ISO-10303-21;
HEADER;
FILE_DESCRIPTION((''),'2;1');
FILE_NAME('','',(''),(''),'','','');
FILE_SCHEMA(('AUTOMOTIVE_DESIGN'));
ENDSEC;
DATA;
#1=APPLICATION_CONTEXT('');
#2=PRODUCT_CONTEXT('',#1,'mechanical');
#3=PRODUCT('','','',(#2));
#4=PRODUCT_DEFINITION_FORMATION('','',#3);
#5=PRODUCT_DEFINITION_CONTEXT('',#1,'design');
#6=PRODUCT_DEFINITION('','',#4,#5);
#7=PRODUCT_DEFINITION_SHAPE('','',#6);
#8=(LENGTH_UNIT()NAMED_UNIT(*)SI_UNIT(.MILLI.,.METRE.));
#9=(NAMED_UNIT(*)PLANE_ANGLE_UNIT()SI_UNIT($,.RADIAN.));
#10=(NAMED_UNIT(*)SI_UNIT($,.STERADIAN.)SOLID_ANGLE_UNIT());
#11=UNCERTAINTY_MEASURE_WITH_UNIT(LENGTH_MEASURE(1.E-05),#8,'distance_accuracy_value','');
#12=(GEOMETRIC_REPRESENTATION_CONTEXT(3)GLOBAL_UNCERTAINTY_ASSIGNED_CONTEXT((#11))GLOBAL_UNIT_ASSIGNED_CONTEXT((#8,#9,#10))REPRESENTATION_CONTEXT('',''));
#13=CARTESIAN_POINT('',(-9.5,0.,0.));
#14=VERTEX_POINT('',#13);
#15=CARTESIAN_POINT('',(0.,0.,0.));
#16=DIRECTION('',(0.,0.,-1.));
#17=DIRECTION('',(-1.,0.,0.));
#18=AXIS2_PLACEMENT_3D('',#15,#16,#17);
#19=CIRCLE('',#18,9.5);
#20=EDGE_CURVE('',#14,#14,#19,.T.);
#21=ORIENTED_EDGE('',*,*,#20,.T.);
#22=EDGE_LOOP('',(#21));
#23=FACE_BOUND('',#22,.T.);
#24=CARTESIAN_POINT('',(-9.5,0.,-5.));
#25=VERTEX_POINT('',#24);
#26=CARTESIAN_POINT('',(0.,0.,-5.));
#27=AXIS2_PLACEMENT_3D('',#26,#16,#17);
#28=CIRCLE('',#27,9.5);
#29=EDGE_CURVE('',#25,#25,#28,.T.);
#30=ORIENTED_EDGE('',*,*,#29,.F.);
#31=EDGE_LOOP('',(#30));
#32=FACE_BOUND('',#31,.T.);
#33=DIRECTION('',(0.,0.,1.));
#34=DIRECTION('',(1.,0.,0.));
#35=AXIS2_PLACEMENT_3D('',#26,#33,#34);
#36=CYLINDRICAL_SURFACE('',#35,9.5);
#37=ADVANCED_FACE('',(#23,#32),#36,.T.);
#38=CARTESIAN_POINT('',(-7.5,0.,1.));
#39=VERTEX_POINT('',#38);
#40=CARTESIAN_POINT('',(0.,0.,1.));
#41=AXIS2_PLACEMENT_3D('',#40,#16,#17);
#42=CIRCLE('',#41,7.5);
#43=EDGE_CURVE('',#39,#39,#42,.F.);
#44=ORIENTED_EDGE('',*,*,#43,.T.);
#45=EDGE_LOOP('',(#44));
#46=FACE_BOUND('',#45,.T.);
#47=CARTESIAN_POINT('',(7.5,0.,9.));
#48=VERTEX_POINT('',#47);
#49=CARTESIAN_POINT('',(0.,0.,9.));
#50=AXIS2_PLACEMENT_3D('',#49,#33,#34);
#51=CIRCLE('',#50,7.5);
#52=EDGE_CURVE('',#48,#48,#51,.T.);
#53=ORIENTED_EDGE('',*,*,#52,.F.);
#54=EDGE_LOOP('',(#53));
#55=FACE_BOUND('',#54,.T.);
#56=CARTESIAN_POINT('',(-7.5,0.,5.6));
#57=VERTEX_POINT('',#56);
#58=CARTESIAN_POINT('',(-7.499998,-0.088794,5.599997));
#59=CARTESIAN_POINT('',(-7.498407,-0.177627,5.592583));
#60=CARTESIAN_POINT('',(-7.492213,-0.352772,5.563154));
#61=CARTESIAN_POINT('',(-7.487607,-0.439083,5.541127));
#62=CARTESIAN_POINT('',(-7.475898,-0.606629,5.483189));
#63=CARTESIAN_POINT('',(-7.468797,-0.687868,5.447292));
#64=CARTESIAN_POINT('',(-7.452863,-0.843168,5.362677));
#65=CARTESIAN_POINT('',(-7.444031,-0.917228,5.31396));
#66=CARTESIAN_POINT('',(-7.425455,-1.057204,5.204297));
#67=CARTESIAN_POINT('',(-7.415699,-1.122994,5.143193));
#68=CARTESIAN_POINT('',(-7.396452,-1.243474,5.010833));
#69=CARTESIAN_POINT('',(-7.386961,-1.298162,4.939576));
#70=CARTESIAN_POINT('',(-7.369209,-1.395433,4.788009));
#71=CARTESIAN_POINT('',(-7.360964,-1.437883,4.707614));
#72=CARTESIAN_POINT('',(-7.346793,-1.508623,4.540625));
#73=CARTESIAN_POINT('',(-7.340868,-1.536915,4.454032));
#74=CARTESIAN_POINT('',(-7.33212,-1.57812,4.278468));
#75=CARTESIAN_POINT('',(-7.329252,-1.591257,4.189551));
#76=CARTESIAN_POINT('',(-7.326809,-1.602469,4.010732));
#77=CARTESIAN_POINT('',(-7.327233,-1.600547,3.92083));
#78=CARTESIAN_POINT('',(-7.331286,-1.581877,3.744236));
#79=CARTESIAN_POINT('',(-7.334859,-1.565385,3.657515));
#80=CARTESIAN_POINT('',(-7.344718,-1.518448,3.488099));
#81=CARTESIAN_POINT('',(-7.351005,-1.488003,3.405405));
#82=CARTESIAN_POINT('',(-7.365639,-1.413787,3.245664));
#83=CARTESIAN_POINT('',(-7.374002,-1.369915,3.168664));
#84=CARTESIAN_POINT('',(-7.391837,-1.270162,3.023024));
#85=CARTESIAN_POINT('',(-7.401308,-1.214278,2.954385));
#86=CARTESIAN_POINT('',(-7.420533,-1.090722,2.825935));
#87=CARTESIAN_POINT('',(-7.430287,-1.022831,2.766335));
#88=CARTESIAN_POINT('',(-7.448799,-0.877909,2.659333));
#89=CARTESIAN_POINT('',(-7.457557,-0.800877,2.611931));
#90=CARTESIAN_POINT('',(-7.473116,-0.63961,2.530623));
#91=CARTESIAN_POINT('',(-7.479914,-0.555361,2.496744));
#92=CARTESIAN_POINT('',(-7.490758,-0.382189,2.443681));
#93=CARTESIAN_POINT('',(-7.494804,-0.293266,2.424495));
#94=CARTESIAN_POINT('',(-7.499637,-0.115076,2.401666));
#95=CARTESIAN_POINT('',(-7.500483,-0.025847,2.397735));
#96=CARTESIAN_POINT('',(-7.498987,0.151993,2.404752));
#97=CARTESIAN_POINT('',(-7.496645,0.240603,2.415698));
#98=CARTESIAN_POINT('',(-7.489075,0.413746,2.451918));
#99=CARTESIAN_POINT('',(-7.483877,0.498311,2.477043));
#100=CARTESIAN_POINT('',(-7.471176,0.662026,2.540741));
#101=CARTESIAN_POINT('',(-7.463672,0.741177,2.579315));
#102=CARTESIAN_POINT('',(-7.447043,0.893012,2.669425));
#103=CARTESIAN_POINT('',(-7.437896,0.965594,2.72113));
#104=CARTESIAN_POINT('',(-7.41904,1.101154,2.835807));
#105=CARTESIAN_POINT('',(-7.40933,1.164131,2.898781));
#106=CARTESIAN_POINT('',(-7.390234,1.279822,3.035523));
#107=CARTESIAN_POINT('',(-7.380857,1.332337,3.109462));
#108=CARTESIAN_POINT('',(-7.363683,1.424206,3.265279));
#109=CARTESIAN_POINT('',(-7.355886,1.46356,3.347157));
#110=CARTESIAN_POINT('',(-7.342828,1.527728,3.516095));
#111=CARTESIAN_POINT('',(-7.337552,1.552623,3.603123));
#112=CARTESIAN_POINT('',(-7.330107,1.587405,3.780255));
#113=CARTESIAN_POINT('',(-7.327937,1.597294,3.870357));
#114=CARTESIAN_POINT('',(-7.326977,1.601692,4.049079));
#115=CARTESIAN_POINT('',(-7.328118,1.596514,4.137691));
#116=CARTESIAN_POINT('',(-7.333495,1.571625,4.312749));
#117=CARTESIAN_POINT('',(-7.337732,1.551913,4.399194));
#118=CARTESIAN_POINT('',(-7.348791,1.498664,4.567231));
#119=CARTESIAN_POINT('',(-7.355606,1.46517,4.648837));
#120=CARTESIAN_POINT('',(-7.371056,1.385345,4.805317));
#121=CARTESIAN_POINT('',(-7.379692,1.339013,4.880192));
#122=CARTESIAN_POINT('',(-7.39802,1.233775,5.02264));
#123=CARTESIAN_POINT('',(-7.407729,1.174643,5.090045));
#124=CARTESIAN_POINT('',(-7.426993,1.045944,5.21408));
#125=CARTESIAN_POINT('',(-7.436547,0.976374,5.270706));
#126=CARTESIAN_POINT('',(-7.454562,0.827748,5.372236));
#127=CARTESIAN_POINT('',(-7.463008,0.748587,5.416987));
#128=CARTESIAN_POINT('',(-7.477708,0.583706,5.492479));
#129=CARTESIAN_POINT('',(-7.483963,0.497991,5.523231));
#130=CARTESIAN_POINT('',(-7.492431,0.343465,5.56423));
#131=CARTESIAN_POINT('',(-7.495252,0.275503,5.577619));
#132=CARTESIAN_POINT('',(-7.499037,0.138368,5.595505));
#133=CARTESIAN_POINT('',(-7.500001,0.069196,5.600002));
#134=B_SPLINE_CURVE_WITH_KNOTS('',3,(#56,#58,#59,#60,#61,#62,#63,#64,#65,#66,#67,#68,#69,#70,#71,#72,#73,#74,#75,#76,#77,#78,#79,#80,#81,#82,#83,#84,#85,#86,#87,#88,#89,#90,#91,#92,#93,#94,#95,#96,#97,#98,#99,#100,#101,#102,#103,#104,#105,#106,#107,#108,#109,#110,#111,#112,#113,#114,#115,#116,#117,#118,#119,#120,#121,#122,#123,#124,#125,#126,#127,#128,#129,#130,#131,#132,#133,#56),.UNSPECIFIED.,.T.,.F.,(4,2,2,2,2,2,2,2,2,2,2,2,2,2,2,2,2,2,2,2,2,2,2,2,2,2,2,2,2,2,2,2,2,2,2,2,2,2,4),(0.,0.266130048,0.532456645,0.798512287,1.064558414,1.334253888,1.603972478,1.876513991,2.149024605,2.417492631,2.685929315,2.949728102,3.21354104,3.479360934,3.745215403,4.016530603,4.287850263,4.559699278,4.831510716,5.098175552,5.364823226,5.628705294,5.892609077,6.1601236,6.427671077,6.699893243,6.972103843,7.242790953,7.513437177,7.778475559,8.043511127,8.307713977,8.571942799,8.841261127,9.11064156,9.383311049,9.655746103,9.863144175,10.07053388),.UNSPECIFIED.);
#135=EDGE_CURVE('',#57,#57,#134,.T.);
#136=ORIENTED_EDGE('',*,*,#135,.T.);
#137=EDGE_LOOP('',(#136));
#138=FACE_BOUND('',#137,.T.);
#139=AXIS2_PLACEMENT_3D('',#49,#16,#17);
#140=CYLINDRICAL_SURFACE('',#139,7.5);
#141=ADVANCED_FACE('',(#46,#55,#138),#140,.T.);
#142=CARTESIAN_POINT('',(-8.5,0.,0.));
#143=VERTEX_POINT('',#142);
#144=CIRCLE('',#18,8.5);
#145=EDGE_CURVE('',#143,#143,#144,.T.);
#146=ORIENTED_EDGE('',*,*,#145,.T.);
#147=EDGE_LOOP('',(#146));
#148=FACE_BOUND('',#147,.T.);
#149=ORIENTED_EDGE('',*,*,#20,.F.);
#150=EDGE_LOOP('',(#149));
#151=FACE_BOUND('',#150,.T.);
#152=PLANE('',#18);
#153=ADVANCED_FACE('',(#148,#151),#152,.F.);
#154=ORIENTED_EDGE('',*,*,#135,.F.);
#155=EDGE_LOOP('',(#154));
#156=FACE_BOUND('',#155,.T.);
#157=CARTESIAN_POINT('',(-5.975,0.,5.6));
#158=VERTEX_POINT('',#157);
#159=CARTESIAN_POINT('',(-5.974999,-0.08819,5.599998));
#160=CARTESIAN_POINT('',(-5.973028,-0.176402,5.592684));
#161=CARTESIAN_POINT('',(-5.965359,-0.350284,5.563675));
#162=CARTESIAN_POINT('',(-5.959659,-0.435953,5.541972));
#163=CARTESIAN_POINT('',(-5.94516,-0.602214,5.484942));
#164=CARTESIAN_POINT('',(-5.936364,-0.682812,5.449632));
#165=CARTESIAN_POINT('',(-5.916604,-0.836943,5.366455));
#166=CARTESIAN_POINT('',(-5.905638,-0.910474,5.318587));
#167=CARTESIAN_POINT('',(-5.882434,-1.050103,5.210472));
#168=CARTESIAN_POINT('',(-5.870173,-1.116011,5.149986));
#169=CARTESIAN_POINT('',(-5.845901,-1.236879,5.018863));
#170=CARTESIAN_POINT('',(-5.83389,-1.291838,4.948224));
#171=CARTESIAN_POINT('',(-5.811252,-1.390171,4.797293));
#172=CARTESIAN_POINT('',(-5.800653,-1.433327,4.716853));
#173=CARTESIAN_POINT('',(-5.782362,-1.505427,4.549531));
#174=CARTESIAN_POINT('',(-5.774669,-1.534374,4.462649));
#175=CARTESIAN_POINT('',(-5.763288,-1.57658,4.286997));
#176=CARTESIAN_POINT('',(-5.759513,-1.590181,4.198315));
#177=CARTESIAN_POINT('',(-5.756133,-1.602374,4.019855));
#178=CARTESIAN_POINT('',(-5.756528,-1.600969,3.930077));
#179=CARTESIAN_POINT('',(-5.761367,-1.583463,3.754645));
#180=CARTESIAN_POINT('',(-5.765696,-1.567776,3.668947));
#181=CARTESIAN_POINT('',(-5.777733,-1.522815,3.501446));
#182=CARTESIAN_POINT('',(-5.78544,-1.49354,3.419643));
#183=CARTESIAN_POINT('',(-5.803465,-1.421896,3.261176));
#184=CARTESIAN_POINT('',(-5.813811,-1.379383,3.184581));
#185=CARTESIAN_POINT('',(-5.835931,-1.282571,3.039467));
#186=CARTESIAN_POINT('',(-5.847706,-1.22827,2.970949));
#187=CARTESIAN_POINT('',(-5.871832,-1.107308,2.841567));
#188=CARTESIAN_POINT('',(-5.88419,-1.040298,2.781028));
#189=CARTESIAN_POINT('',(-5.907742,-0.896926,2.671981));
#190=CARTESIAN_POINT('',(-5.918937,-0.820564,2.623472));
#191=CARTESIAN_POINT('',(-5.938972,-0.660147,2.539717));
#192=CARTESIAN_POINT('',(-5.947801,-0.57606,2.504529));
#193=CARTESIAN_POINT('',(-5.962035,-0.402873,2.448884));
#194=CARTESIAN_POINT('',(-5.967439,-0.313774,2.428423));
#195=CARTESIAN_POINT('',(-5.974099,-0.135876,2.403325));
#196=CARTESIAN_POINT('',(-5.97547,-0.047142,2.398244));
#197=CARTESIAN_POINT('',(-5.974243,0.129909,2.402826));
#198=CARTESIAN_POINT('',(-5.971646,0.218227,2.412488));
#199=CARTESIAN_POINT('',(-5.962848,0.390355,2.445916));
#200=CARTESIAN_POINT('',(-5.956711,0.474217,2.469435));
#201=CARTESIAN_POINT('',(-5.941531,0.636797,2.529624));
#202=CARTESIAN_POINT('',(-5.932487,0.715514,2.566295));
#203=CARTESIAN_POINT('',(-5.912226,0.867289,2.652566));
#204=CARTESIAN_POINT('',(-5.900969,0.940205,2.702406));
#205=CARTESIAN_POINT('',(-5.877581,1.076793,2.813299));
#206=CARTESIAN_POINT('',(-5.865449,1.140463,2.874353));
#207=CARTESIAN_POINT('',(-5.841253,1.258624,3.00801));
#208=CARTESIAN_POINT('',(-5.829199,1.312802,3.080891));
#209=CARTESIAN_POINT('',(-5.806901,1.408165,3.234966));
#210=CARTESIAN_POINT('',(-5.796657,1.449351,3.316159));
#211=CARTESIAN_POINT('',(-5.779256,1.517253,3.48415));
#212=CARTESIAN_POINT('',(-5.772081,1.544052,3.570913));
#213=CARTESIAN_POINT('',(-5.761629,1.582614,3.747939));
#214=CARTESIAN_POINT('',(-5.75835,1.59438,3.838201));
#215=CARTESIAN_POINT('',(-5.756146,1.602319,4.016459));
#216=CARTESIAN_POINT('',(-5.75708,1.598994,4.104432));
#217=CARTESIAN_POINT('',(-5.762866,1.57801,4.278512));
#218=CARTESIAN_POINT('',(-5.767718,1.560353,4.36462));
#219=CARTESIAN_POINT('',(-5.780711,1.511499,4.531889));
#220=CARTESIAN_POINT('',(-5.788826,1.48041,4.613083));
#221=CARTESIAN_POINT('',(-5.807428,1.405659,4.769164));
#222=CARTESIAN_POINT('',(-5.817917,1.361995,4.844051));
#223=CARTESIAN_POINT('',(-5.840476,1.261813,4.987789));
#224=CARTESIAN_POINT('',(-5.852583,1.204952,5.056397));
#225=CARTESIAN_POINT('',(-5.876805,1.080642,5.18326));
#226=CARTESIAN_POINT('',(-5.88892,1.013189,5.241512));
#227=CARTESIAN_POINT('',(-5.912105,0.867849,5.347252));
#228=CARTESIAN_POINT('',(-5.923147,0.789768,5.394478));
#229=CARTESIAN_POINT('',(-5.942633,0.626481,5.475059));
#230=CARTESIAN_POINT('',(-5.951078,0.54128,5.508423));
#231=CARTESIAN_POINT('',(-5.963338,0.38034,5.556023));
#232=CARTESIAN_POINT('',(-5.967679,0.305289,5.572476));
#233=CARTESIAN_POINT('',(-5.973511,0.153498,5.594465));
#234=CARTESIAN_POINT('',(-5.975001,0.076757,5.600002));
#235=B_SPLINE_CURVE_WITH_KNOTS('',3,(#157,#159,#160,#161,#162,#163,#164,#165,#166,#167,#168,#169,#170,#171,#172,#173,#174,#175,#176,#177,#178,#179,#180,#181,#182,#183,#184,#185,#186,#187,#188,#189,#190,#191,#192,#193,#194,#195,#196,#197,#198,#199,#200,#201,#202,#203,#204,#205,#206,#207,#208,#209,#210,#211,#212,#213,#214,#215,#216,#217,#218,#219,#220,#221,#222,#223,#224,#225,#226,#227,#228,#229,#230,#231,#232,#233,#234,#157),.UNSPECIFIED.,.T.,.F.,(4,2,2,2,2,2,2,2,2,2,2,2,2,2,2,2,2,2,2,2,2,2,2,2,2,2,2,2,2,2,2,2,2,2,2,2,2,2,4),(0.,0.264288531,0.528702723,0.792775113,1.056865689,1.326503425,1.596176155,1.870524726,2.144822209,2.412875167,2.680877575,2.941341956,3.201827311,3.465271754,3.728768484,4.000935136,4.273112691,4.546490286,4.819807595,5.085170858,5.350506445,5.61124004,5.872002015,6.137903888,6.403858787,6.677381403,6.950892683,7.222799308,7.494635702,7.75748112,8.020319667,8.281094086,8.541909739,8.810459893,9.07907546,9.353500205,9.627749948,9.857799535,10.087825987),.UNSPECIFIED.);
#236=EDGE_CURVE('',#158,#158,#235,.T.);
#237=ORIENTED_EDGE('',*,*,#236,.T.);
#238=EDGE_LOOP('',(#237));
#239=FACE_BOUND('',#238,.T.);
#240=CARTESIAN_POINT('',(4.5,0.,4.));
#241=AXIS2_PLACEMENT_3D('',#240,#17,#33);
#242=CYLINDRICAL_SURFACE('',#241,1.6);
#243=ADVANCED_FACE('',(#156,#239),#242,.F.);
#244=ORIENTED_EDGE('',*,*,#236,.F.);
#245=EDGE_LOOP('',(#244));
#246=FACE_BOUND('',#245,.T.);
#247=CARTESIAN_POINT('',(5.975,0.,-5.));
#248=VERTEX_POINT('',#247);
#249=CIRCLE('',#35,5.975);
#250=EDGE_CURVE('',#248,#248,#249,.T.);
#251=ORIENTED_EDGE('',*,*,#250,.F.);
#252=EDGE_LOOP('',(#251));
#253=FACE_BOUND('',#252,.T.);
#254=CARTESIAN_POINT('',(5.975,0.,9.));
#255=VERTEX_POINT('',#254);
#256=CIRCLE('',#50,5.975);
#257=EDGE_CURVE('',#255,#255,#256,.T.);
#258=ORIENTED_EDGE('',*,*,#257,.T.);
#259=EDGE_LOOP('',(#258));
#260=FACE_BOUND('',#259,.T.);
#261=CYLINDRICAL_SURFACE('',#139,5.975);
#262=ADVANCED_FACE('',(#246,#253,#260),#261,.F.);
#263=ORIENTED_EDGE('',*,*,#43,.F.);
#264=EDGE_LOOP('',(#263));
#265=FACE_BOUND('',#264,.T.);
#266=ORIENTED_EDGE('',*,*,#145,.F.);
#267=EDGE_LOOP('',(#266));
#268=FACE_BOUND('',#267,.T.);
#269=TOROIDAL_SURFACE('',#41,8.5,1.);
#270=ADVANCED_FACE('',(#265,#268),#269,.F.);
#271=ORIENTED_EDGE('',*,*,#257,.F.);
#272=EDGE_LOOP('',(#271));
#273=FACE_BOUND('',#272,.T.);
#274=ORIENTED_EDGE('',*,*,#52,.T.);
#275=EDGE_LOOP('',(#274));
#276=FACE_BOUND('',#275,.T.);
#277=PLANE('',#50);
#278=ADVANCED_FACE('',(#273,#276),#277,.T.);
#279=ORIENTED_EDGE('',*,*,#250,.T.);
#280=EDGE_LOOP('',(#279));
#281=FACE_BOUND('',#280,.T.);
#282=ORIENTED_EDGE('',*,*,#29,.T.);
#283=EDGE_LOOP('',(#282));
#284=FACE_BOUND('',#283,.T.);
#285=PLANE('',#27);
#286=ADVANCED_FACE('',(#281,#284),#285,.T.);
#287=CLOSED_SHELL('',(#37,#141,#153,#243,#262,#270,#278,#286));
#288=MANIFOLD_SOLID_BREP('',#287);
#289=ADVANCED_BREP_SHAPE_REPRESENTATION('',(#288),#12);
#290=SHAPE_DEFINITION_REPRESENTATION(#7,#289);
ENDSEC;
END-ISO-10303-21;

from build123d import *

# Parameters (mm, degrees)
SKETCH2_R           = 7.5
SKETCH2_R_2         = 5.975
BOSS_EXTRUDE1_DEPTH = 9
SKETCH3_R           = 9.5
BOSS_EXTRUDE2_DEPTH = 5
CUT_EXTRUDE1_START  = -5
SKETCH4_R           = 5.975
CUT_EXTRUDE1_DEPTH  = 5
SKETCH5_R           = 1.6
CUT_EXTRUDE2_DEPTH  = 12
FILLET1_R           = 1


with BuildPart() as part:
    # Sketch2 → Boss-Extrude1 (new body)
    with BuildSketch(Plane.XY):
        Circle(SKETCH2_R)
        Circle(SKETCH2_R_2, mode=Mode.SUBTRACT)
    extrude(amount=BOSS_EXTRUDE1_DEPTH)

    # Sketch3 → Boss-Extrude2 (add)
    with BuildSketch(Plane(origin=(0, 0, 0), x_dir=(-1, 0, 0), z_dir=(0, 0, -1))):
        Circle(SKETCH3_R)
    extrude(amount=BOSS_EXTRUDE2_DEPTH)

    # Sketch4 → Cut-Extrude1 (cut)
    with BuildSketch(Plane.XY.offset(CUT_EXTRUDE1_START)):
        Circle(SKETCH4_R)
    extrude(amount=CUT_EXTRUDE1_DEPTH, mode=Mode.SUBTRACT)

    # Sketch5 → Cut-Extrude2 (cut)
    with BuildSketch(Plane.ZY.offset(7.5)):
        with Locations((4, 0)):
            Circle(SKETCH5_R)
    extrude(amount=-CUT_EXTRUDE2_DEPTH, mode=Mode.SUBTRACT)

    # Fillet1
    fillet1_edges = [part.edges().sort_by_distance(p)[0] for p in [
        (-7.5, 0, 0),
    ]]
    fillet(fillet1_edges, radius=FILLET1_R)


solid = part.part
